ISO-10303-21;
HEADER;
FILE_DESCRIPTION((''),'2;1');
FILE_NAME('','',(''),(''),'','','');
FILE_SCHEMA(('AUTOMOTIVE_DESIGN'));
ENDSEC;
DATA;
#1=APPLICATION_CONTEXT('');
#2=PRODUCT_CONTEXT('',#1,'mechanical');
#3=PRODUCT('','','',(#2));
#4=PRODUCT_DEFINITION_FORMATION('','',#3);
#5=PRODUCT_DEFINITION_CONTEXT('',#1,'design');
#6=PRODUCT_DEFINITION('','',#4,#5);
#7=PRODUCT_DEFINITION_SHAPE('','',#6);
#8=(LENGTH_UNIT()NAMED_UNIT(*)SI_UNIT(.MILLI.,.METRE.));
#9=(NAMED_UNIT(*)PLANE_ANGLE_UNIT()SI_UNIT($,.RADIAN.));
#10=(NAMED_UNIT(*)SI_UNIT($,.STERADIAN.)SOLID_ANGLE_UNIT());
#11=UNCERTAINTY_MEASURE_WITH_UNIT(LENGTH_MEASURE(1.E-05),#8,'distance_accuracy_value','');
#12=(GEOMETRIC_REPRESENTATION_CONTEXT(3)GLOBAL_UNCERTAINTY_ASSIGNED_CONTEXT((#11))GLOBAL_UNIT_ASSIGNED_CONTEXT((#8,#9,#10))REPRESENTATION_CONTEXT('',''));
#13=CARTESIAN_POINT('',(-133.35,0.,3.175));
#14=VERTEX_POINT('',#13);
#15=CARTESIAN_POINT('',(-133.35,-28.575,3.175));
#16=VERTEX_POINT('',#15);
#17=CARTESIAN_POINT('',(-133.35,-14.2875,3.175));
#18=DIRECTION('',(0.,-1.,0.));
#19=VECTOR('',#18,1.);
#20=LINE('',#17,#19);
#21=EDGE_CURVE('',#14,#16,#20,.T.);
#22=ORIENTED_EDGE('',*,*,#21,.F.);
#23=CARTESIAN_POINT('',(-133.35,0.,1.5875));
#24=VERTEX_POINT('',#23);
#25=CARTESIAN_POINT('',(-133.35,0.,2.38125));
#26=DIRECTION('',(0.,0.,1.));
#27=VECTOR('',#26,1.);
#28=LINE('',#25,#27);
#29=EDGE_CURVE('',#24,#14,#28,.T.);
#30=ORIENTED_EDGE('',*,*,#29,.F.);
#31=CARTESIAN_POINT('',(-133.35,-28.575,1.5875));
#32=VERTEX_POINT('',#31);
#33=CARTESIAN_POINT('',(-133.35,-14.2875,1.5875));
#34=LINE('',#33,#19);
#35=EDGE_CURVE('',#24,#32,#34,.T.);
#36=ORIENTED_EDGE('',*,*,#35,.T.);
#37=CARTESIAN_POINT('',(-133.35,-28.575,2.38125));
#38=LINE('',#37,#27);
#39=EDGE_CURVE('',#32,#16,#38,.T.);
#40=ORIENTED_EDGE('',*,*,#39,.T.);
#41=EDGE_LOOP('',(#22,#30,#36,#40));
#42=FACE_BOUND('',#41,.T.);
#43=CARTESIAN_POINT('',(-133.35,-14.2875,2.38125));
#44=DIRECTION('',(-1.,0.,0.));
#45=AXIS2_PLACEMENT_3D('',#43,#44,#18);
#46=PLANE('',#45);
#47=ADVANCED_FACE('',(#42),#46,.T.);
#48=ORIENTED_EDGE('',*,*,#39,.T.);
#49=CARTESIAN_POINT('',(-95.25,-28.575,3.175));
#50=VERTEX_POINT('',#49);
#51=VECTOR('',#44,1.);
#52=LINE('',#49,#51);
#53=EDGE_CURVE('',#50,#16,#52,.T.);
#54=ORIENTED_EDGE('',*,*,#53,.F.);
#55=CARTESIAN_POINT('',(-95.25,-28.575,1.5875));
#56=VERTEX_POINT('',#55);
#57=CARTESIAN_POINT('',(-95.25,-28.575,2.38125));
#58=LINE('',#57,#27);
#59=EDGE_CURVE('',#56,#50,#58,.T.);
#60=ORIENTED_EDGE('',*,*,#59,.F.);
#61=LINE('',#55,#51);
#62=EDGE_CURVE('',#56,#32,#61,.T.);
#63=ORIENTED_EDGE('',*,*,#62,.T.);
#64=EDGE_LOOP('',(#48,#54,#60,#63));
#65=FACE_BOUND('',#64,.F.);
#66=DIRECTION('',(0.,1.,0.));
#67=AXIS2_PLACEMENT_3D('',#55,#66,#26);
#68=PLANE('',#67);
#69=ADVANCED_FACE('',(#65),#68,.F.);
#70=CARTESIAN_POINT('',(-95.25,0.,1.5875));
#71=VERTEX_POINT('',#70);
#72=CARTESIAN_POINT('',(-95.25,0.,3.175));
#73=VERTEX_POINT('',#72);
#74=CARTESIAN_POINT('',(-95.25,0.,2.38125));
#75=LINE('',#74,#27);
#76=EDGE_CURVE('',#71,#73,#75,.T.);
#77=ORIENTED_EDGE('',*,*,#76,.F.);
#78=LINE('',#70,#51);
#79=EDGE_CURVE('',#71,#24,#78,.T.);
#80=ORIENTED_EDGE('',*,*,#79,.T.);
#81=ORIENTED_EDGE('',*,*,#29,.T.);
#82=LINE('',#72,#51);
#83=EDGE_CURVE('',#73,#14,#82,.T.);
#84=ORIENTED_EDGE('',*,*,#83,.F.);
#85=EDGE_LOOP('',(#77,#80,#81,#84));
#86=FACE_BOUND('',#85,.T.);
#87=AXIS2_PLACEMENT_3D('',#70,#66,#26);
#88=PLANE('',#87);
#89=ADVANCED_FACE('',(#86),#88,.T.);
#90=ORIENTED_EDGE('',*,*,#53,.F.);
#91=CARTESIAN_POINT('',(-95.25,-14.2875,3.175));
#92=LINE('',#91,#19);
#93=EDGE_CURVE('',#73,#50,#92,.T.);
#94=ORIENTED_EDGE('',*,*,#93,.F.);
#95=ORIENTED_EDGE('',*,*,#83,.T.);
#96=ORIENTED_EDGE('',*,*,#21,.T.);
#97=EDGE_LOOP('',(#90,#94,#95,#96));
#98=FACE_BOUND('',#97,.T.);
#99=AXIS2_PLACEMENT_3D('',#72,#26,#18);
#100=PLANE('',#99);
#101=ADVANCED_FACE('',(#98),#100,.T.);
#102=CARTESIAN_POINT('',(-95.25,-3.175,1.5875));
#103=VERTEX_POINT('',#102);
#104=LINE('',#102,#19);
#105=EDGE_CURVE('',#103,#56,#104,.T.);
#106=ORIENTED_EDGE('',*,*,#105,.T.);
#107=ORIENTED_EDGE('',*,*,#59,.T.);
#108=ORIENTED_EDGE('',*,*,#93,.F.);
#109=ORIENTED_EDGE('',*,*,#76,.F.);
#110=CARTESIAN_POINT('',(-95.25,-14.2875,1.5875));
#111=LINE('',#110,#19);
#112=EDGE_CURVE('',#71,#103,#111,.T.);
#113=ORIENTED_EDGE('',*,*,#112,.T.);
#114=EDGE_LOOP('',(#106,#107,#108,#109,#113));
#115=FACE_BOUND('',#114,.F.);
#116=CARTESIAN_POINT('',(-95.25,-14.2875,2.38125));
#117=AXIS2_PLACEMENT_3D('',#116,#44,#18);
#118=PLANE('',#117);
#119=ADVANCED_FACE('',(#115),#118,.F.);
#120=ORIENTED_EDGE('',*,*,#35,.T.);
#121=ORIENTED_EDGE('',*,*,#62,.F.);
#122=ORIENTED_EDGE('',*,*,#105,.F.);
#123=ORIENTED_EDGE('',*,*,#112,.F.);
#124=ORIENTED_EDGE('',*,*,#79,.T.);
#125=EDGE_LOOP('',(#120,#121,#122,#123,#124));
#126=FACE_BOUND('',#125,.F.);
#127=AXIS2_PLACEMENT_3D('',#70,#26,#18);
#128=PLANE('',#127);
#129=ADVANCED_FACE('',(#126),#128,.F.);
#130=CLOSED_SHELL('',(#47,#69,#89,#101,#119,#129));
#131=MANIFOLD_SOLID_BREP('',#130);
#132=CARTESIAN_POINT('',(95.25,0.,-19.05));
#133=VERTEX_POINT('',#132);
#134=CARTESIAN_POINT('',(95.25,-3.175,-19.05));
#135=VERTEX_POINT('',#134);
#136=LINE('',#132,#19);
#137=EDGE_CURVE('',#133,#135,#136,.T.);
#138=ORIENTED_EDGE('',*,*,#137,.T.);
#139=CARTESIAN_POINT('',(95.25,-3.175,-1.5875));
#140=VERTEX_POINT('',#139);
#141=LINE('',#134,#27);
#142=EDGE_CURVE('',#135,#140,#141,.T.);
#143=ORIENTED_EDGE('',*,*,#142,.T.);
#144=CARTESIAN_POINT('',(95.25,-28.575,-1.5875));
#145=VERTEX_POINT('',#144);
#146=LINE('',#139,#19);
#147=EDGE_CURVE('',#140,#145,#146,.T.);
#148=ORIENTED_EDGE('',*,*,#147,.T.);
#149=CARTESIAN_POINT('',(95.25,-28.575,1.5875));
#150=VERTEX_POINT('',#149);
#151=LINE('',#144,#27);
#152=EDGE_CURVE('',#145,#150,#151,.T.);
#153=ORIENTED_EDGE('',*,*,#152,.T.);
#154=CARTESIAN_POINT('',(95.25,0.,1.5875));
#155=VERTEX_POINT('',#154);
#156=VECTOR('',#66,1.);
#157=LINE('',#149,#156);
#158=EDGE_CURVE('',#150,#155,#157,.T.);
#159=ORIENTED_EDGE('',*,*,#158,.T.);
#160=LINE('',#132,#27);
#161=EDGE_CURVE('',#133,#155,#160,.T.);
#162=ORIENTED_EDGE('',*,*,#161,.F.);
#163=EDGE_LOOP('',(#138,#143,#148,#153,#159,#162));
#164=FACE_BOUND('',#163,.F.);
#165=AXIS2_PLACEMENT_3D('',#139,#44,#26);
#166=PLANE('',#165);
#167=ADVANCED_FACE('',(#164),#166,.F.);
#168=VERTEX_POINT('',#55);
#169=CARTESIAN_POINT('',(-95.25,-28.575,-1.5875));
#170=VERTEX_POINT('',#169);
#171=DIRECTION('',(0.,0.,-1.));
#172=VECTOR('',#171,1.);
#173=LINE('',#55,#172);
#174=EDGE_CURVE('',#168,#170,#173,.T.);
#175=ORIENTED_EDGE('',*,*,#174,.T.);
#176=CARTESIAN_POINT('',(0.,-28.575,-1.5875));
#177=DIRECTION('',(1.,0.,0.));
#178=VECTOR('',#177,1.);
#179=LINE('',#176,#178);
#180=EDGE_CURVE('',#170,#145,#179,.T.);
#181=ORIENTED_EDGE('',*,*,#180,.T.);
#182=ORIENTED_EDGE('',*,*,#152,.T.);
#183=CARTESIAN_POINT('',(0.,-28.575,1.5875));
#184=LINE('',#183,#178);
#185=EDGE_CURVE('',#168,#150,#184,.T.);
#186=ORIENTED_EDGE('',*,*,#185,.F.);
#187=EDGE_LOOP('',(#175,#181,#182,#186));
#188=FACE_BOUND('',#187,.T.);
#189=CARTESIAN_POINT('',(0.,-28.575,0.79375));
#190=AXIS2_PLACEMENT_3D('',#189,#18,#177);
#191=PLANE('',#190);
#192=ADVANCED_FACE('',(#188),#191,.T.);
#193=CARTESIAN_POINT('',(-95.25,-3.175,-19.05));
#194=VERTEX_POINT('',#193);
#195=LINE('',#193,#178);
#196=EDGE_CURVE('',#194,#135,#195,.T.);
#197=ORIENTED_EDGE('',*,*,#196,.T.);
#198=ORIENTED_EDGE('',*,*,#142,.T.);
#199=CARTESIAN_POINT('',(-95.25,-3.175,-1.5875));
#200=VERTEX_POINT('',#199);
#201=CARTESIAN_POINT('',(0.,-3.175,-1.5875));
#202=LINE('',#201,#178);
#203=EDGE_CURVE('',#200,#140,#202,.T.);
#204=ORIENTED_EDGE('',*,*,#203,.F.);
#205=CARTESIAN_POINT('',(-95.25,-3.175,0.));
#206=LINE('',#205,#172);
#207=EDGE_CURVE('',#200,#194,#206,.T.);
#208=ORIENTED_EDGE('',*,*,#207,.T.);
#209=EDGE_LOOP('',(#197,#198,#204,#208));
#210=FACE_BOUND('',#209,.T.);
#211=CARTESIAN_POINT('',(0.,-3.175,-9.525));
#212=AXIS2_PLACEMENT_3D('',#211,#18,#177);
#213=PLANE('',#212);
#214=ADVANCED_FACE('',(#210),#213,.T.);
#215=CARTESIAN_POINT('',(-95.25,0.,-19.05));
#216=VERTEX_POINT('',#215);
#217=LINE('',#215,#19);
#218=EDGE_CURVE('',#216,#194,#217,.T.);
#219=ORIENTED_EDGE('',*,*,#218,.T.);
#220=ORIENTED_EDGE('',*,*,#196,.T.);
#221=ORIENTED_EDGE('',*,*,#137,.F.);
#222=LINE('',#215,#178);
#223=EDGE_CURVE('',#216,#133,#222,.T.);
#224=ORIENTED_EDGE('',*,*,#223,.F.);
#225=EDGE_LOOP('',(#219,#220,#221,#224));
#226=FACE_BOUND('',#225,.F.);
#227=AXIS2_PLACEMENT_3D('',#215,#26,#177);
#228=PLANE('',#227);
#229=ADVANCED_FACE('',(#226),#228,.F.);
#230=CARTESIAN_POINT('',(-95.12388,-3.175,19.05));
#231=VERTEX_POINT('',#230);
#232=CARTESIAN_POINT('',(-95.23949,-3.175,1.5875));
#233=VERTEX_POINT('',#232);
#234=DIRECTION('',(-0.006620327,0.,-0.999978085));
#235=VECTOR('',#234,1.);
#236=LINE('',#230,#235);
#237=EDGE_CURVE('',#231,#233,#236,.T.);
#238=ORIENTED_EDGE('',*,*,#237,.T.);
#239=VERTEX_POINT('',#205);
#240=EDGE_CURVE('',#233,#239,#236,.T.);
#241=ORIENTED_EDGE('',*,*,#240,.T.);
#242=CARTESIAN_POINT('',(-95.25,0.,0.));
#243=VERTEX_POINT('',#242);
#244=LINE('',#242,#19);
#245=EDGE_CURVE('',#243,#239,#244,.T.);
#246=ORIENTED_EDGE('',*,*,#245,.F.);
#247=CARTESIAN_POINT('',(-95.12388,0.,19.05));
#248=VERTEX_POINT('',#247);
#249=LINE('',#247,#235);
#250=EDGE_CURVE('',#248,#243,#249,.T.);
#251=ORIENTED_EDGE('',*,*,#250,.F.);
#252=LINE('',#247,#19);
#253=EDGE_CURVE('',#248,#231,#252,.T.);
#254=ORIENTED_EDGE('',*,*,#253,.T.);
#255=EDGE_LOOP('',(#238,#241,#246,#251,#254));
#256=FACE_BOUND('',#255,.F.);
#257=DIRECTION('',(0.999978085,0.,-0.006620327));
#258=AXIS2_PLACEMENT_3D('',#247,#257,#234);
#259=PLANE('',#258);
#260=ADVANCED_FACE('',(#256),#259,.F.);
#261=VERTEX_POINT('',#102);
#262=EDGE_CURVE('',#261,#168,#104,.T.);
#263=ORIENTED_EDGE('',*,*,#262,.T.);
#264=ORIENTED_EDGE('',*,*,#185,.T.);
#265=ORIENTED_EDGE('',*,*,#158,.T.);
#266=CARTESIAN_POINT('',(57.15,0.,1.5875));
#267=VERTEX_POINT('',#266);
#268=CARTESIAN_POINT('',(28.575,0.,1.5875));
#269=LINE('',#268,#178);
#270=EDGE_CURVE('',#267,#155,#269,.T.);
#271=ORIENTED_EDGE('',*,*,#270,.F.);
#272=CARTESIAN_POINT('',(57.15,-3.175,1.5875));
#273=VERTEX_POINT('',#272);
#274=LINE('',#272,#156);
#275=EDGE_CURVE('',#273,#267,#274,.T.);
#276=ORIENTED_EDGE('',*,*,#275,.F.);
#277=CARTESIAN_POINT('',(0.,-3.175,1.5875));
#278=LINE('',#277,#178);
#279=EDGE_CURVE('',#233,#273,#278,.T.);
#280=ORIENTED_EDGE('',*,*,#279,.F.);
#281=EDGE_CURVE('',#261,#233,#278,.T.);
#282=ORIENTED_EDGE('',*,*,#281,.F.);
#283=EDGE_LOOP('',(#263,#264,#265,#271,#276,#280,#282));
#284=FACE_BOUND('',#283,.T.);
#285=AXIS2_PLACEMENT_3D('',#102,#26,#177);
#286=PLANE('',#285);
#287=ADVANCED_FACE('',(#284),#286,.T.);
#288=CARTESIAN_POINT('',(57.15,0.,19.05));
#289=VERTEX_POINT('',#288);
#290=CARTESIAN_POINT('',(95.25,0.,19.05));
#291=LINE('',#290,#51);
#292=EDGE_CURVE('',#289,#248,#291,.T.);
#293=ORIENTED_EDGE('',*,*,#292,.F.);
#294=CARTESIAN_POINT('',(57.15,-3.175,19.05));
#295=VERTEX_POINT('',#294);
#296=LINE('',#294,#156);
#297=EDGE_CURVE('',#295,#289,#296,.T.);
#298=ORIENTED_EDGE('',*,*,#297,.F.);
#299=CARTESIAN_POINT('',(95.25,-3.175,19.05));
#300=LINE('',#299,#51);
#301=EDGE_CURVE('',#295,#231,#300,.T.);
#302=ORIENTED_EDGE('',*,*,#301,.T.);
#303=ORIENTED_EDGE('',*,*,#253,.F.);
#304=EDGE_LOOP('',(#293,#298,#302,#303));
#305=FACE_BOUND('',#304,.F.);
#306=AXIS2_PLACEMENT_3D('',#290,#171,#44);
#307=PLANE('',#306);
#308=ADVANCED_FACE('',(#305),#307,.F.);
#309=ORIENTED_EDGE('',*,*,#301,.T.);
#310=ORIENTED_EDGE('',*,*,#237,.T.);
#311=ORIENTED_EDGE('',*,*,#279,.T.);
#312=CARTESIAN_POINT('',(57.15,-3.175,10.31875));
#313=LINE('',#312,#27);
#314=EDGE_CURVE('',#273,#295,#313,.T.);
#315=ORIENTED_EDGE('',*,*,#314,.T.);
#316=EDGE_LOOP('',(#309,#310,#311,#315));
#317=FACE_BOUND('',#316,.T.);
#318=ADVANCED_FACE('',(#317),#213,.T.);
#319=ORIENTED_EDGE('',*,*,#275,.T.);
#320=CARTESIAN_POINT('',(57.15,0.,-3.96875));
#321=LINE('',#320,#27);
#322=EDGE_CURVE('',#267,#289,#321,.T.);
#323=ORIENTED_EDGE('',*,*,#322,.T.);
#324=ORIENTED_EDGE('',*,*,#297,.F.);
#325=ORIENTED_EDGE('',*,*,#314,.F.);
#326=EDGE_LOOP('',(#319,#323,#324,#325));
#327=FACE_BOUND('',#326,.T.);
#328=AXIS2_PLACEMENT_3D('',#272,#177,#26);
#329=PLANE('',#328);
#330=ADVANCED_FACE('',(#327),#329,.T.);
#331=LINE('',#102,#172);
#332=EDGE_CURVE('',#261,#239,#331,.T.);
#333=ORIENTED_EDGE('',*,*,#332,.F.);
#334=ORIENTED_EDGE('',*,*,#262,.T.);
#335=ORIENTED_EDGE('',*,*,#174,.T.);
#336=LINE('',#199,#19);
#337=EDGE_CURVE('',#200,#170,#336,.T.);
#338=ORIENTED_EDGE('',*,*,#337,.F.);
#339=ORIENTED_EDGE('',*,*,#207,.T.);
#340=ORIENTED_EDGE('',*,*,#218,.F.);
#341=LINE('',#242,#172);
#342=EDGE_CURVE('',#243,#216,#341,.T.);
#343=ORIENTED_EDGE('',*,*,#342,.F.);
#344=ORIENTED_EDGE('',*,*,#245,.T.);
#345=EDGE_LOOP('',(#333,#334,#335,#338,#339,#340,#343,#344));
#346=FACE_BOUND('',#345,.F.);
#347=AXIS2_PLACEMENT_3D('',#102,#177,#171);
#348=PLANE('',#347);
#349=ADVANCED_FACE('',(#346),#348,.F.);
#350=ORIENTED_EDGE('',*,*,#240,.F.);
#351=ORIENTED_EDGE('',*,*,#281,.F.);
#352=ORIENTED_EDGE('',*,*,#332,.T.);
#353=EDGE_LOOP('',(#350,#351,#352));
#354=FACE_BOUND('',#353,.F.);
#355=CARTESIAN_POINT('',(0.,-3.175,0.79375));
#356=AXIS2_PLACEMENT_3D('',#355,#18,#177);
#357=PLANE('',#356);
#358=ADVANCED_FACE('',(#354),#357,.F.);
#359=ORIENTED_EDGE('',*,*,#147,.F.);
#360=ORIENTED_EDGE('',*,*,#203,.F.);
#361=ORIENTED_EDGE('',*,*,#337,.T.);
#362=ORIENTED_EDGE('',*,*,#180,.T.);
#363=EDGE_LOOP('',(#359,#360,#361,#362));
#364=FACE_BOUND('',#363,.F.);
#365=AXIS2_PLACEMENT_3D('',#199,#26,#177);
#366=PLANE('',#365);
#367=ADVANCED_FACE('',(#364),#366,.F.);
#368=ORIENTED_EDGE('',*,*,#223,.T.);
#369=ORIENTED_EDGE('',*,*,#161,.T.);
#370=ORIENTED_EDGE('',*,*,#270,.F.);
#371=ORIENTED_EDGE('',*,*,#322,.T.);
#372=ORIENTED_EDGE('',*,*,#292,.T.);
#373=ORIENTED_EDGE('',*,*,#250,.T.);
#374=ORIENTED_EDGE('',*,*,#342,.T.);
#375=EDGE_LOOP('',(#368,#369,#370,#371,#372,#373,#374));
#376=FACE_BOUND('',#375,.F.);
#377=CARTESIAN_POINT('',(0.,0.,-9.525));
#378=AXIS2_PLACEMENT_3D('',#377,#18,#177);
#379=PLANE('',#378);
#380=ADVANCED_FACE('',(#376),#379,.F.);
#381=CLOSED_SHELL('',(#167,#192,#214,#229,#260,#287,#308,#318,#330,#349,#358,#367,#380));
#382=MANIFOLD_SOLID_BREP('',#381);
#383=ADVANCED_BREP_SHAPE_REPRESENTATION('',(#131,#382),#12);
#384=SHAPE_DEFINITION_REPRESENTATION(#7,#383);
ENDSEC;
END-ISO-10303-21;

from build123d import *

# Parameters (mm, degrees)
F1_DEPTH = 3.175
F2_W     = 190.5
F2_H     = 1.5875
F3_DEPTH = 25.4
F4_W     = 28.575
F4_H     = 1.5875
F5_DEPTH = 38.1
F6_W     = 38.1
F6_H     = 17.4625
F7_DEPTH = 25.4


with BuildPart() as f1:
    # F0 (on Front) → F1 (new body)
    with BuildSketch(Plane.XZ):
        Polygon((-95.25, -19.05), (95.25, -19.05), (95.25, 0), (0, 0), (-95.25, 0), align=None)
        Polygon((0, 0), (95.25, 0), (95.25, 19.05), (-57.02388, 19.05), (-95.12388, 19.05), (-95.25, 0), align=None)
    extrude(amount=F1_DEPTH)

    # F2 (on face) → F3 (join)
    with BuildSketch(Plane.XZ.offset(3.175)):
        with Locations((0, 0.79375)):
            Rectangle(F2_W, F2_H)
        with Locations((0, -0.79375)):
            Rectangle(F2_W, F2_H)
    extrude(amount=F3_DEPTH)

    # F4 (on face) → F5 (join)
    with BuildSketch(Plane(origin=(-95.25, 0, 0), x_dir=(0, -1, 0), z_dir=(-1, 0, 0))):
        with Locations((14.2875, 2.38125)):
            Rectangle(F4_W, F4_H)
    extrude(amount=F5_DEPTH)

    # F6 (on face) → F7 (cut)
    with BuildSketch(Plane.XZ.offset(3.175)):
        with Locations((76.2, 10.31875)):
            Rectangle(F6_W, F6_H)
    extrude(amount=-F7_DEPTH, mode=Mode.SUBTRACT)


solid = f1.part
